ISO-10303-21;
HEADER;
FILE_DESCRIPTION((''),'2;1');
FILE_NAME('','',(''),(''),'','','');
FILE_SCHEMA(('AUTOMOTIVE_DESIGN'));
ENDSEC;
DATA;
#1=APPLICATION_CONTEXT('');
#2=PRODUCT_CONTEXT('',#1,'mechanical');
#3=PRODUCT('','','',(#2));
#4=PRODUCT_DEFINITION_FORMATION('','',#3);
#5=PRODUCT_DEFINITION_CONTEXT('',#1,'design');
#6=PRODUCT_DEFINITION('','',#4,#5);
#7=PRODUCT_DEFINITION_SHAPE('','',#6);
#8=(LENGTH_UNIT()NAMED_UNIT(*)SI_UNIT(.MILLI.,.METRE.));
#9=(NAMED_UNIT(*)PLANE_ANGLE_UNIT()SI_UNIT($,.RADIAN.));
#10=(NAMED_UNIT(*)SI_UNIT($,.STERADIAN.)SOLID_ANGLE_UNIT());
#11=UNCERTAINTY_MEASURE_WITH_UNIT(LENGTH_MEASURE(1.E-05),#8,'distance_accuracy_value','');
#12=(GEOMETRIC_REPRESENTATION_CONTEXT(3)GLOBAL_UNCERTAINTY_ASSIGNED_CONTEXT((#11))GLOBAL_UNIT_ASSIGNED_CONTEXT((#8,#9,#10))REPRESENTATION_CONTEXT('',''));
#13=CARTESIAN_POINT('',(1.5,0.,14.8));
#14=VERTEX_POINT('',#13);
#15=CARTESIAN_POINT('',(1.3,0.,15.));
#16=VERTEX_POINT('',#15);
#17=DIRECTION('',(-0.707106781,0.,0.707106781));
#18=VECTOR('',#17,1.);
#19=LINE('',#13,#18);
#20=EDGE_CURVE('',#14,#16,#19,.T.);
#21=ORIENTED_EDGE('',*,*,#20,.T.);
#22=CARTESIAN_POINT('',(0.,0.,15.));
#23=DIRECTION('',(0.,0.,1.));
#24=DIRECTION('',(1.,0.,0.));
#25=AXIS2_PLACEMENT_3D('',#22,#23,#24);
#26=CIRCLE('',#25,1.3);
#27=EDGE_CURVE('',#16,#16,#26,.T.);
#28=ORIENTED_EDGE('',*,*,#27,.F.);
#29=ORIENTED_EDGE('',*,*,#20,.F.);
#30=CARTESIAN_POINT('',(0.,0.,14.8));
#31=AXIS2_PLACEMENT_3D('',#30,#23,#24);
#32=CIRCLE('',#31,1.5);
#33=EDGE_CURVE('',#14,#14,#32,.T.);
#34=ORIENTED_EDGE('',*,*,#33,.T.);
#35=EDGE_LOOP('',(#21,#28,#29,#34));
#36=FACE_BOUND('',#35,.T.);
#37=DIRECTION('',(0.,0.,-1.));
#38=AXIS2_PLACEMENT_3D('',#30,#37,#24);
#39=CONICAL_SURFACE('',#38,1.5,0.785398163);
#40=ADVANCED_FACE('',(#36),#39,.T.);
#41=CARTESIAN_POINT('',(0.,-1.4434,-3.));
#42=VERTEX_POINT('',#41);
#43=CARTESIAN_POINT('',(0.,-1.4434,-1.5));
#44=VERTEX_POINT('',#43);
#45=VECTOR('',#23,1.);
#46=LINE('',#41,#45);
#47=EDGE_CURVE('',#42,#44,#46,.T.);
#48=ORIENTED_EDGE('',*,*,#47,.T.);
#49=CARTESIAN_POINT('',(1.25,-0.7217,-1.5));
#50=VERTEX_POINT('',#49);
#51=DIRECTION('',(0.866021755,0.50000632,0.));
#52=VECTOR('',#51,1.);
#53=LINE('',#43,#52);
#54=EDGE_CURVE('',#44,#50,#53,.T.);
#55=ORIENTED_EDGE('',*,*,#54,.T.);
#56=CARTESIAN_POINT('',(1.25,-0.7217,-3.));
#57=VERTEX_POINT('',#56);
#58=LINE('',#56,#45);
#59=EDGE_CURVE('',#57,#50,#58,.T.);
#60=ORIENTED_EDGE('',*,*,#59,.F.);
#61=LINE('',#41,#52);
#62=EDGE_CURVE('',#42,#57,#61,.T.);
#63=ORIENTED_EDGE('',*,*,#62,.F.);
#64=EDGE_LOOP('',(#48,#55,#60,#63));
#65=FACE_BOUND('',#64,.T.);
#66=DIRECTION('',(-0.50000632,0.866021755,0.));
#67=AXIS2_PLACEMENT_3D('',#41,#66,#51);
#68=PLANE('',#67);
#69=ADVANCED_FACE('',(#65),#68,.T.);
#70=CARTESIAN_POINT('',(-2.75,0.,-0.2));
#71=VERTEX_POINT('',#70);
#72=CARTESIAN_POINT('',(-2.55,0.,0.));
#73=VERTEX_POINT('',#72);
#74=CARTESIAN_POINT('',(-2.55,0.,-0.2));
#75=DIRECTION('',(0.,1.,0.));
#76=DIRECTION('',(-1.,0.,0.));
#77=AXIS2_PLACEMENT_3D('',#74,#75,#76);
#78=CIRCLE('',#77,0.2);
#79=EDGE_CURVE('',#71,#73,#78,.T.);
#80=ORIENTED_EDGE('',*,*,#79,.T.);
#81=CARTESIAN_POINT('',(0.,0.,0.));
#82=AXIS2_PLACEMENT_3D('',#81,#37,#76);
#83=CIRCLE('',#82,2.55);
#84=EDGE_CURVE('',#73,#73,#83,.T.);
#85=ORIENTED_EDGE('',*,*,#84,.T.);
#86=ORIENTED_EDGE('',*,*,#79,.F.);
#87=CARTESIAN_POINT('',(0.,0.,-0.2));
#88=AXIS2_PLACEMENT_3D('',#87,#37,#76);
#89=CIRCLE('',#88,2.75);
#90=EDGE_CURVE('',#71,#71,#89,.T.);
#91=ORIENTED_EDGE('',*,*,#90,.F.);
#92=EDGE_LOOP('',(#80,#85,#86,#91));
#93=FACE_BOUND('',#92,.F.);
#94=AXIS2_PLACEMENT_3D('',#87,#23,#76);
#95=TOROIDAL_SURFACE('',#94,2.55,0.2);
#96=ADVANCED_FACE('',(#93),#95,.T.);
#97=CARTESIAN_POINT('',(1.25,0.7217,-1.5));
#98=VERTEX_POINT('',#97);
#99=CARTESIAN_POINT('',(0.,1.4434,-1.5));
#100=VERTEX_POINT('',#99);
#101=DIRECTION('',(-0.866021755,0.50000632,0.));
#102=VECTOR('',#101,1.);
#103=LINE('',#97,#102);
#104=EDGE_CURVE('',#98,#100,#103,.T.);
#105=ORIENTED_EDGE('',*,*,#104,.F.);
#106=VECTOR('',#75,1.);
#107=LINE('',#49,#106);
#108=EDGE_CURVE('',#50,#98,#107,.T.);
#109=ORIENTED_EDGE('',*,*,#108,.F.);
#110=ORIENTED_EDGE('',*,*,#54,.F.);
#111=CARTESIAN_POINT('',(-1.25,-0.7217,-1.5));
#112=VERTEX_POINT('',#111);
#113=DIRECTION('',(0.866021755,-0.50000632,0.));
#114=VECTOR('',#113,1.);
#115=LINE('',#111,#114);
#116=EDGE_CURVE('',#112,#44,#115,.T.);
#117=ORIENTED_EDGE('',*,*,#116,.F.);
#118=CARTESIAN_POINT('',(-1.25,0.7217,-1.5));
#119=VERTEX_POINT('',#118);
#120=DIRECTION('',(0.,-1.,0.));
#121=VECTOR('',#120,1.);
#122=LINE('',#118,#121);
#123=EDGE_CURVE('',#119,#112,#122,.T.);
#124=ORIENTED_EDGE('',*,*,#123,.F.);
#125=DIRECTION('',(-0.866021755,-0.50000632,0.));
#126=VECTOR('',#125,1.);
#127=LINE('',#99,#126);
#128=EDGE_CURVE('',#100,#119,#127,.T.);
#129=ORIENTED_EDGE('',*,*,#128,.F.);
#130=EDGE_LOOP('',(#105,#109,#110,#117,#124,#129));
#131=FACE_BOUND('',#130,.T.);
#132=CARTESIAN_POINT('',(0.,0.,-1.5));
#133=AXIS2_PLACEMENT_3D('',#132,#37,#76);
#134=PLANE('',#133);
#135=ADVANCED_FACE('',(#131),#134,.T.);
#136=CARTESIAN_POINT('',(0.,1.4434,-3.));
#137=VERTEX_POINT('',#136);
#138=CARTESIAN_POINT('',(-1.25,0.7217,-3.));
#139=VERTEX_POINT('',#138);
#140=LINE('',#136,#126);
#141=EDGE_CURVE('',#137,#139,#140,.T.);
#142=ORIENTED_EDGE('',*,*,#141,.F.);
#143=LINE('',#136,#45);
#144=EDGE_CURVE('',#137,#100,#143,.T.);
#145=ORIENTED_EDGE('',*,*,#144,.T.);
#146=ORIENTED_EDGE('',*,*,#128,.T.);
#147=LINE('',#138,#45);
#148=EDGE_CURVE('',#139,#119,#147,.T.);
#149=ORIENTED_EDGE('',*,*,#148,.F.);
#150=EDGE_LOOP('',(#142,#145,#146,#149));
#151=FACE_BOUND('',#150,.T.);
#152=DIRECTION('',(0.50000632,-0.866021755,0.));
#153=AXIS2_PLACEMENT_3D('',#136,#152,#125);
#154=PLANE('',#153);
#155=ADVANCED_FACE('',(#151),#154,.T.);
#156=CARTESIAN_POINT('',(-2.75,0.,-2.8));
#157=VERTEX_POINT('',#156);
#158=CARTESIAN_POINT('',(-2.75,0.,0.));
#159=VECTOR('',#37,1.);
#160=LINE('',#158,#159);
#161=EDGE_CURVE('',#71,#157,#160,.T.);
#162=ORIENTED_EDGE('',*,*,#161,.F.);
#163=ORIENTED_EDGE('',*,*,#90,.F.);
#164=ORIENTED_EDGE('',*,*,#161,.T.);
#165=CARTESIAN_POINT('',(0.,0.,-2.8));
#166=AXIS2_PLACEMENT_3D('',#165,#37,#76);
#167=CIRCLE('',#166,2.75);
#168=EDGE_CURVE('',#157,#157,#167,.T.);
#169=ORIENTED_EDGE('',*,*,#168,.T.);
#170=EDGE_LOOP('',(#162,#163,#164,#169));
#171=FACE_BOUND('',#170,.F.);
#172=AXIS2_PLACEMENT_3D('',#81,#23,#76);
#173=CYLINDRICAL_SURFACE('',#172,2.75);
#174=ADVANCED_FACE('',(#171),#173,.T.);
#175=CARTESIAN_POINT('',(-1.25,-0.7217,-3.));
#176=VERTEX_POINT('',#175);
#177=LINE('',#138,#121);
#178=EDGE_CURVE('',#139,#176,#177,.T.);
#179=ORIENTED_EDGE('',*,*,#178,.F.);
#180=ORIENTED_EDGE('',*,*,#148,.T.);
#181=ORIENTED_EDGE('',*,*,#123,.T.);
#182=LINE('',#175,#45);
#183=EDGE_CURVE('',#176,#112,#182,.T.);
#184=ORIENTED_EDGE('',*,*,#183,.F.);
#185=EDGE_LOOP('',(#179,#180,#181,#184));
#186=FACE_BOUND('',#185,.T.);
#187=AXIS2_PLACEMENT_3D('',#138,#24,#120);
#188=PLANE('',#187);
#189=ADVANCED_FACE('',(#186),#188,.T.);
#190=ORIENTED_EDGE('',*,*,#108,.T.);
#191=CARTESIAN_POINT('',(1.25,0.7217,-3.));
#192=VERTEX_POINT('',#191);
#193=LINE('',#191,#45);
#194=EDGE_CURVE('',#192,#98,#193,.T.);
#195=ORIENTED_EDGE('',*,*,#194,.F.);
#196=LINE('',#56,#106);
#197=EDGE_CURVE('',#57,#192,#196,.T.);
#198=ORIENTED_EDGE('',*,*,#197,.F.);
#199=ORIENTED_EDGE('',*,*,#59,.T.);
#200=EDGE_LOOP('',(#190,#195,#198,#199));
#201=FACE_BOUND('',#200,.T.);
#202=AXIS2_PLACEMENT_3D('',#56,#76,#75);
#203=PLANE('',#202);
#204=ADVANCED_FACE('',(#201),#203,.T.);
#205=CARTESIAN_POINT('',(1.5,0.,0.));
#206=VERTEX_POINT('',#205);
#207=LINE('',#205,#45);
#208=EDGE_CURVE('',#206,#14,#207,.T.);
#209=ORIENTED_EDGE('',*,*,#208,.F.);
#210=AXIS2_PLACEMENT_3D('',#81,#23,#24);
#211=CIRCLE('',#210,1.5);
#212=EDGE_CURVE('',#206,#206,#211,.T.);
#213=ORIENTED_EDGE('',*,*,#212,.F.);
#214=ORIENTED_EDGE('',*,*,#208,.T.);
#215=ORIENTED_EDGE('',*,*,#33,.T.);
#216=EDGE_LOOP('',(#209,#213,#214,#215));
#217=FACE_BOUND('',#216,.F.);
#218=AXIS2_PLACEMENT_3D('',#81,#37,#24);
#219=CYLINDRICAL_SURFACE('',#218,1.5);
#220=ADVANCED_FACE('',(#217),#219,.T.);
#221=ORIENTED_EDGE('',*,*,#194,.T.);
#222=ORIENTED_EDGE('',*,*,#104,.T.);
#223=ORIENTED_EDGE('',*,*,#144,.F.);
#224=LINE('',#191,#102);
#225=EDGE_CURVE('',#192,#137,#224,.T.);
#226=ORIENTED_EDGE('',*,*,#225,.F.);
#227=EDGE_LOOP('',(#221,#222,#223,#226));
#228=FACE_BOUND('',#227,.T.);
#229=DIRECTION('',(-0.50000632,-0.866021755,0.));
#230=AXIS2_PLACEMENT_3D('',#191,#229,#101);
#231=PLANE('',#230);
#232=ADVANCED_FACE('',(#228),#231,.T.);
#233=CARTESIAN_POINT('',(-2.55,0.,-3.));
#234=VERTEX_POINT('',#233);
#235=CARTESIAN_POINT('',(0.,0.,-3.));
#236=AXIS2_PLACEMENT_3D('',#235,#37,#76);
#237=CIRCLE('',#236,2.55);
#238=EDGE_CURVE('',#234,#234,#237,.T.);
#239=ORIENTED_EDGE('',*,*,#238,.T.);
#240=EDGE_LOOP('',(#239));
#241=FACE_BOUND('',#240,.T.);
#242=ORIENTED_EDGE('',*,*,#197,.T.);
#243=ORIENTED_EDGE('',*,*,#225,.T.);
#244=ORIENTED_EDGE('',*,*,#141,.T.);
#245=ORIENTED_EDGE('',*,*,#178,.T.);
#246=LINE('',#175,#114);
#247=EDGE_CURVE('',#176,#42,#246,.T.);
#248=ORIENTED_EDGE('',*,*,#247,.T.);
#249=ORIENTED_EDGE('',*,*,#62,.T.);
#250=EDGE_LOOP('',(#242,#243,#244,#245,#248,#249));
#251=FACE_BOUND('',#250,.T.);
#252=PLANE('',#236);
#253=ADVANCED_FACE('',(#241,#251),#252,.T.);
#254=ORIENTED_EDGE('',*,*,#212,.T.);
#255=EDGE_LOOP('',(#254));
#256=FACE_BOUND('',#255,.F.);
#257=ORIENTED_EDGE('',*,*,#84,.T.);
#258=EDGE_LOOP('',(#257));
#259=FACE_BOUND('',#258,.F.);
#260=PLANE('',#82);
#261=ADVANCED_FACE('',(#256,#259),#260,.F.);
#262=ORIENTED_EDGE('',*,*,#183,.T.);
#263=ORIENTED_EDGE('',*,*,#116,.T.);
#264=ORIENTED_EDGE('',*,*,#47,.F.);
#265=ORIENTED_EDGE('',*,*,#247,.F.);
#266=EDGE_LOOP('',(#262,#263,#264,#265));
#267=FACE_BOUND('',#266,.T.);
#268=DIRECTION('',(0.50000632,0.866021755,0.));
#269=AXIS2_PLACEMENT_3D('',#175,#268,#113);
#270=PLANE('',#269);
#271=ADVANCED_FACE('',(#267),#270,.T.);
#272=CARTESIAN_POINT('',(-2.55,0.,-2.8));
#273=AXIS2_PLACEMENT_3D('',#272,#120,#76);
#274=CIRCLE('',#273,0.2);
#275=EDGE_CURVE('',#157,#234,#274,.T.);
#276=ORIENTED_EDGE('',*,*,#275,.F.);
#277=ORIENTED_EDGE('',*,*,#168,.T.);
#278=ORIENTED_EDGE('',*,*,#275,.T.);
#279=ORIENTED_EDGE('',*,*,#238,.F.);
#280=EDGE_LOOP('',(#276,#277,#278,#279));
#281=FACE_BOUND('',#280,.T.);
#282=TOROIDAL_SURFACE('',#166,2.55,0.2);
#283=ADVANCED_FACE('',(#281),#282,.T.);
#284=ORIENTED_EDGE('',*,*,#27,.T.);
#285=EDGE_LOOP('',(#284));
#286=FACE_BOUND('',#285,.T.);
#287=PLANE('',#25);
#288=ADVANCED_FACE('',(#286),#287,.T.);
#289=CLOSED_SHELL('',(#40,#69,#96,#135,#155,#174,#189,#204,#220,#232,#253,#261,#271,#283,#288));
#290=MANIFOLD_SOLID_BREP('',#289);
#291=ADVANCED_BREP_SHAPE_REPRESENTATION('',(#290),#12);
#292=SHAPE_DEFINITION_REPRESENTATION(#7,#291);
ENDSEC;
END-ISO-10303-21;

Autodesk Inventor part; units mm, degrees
ref_plane "YZ Plane" through (0, 0, 0) normal (1, 0, 0) x (0, 1, 0)
ref_plane "XZ Plane" through (0, 0, 0) normal (0, 1, 0) x (-1, 0, 0)
ref_plane "XY Plane" through (0, 0, 0) normal (0, 0, 1) x (1, 0, 0)
sketch "스케치1" plane through (0, 0, 0) normal (0, 0, 1) x (1, 0, 0)
  circle A0 centre (0, 0) radius 1.5
  dimension "d0" = 3
extrude "돌출1" add sketch "스케치1" along normal blind 15
chamfer "모따기1" distance 0.2 angle 45 1 edges at (-1.5, 0, 15)
sketch "스케치2" plane through (0, 0, 0) normal (0, 0, -1) x (-1, 0, 0)
  circle A0 centre (0, 0) radius 2.75
  dimension "d6" = 5.5
extrude "돌출2" add sketch "스케치2" along normal blind 3
fillet "모깎기1" radius 0.2 2 edges at (2.75, 0, 0) (2.75, 0, -3)
sketch "스케치3" plane through (0, 0, -3) normal (0, 0, -1) x (-1, 0, 0)
  line L0 (0, 1.4434) -> (1.25, 0.7217)
  line L1 (1.25, 0.7217) -> (1.25, -0.7217)
  line L2 (1.25, -0.7217) -> (0, -1.4434)
  line L3 (0, -1.4434) -> (-1.25, -0.7217)
  line L4 (-1.25, -0.7217) -> (-1.25, 0.7217)
  line L5 (-1.25, 0.7217) -> (0, 1.4434)
  point P0 (0, 0)
  point P1 (0, 0)
  point P2 (-1.25, 0)
  dimension "d10" = 2.5
extrude "돌출3" cut sketch "스케치3" against normal blind 1.5
thread "스레드1" size "M3x0.5" class "6g" standard "ANSI Metric M Profile" full length
properties part number "육각렌치볼트 m3 15mm"
